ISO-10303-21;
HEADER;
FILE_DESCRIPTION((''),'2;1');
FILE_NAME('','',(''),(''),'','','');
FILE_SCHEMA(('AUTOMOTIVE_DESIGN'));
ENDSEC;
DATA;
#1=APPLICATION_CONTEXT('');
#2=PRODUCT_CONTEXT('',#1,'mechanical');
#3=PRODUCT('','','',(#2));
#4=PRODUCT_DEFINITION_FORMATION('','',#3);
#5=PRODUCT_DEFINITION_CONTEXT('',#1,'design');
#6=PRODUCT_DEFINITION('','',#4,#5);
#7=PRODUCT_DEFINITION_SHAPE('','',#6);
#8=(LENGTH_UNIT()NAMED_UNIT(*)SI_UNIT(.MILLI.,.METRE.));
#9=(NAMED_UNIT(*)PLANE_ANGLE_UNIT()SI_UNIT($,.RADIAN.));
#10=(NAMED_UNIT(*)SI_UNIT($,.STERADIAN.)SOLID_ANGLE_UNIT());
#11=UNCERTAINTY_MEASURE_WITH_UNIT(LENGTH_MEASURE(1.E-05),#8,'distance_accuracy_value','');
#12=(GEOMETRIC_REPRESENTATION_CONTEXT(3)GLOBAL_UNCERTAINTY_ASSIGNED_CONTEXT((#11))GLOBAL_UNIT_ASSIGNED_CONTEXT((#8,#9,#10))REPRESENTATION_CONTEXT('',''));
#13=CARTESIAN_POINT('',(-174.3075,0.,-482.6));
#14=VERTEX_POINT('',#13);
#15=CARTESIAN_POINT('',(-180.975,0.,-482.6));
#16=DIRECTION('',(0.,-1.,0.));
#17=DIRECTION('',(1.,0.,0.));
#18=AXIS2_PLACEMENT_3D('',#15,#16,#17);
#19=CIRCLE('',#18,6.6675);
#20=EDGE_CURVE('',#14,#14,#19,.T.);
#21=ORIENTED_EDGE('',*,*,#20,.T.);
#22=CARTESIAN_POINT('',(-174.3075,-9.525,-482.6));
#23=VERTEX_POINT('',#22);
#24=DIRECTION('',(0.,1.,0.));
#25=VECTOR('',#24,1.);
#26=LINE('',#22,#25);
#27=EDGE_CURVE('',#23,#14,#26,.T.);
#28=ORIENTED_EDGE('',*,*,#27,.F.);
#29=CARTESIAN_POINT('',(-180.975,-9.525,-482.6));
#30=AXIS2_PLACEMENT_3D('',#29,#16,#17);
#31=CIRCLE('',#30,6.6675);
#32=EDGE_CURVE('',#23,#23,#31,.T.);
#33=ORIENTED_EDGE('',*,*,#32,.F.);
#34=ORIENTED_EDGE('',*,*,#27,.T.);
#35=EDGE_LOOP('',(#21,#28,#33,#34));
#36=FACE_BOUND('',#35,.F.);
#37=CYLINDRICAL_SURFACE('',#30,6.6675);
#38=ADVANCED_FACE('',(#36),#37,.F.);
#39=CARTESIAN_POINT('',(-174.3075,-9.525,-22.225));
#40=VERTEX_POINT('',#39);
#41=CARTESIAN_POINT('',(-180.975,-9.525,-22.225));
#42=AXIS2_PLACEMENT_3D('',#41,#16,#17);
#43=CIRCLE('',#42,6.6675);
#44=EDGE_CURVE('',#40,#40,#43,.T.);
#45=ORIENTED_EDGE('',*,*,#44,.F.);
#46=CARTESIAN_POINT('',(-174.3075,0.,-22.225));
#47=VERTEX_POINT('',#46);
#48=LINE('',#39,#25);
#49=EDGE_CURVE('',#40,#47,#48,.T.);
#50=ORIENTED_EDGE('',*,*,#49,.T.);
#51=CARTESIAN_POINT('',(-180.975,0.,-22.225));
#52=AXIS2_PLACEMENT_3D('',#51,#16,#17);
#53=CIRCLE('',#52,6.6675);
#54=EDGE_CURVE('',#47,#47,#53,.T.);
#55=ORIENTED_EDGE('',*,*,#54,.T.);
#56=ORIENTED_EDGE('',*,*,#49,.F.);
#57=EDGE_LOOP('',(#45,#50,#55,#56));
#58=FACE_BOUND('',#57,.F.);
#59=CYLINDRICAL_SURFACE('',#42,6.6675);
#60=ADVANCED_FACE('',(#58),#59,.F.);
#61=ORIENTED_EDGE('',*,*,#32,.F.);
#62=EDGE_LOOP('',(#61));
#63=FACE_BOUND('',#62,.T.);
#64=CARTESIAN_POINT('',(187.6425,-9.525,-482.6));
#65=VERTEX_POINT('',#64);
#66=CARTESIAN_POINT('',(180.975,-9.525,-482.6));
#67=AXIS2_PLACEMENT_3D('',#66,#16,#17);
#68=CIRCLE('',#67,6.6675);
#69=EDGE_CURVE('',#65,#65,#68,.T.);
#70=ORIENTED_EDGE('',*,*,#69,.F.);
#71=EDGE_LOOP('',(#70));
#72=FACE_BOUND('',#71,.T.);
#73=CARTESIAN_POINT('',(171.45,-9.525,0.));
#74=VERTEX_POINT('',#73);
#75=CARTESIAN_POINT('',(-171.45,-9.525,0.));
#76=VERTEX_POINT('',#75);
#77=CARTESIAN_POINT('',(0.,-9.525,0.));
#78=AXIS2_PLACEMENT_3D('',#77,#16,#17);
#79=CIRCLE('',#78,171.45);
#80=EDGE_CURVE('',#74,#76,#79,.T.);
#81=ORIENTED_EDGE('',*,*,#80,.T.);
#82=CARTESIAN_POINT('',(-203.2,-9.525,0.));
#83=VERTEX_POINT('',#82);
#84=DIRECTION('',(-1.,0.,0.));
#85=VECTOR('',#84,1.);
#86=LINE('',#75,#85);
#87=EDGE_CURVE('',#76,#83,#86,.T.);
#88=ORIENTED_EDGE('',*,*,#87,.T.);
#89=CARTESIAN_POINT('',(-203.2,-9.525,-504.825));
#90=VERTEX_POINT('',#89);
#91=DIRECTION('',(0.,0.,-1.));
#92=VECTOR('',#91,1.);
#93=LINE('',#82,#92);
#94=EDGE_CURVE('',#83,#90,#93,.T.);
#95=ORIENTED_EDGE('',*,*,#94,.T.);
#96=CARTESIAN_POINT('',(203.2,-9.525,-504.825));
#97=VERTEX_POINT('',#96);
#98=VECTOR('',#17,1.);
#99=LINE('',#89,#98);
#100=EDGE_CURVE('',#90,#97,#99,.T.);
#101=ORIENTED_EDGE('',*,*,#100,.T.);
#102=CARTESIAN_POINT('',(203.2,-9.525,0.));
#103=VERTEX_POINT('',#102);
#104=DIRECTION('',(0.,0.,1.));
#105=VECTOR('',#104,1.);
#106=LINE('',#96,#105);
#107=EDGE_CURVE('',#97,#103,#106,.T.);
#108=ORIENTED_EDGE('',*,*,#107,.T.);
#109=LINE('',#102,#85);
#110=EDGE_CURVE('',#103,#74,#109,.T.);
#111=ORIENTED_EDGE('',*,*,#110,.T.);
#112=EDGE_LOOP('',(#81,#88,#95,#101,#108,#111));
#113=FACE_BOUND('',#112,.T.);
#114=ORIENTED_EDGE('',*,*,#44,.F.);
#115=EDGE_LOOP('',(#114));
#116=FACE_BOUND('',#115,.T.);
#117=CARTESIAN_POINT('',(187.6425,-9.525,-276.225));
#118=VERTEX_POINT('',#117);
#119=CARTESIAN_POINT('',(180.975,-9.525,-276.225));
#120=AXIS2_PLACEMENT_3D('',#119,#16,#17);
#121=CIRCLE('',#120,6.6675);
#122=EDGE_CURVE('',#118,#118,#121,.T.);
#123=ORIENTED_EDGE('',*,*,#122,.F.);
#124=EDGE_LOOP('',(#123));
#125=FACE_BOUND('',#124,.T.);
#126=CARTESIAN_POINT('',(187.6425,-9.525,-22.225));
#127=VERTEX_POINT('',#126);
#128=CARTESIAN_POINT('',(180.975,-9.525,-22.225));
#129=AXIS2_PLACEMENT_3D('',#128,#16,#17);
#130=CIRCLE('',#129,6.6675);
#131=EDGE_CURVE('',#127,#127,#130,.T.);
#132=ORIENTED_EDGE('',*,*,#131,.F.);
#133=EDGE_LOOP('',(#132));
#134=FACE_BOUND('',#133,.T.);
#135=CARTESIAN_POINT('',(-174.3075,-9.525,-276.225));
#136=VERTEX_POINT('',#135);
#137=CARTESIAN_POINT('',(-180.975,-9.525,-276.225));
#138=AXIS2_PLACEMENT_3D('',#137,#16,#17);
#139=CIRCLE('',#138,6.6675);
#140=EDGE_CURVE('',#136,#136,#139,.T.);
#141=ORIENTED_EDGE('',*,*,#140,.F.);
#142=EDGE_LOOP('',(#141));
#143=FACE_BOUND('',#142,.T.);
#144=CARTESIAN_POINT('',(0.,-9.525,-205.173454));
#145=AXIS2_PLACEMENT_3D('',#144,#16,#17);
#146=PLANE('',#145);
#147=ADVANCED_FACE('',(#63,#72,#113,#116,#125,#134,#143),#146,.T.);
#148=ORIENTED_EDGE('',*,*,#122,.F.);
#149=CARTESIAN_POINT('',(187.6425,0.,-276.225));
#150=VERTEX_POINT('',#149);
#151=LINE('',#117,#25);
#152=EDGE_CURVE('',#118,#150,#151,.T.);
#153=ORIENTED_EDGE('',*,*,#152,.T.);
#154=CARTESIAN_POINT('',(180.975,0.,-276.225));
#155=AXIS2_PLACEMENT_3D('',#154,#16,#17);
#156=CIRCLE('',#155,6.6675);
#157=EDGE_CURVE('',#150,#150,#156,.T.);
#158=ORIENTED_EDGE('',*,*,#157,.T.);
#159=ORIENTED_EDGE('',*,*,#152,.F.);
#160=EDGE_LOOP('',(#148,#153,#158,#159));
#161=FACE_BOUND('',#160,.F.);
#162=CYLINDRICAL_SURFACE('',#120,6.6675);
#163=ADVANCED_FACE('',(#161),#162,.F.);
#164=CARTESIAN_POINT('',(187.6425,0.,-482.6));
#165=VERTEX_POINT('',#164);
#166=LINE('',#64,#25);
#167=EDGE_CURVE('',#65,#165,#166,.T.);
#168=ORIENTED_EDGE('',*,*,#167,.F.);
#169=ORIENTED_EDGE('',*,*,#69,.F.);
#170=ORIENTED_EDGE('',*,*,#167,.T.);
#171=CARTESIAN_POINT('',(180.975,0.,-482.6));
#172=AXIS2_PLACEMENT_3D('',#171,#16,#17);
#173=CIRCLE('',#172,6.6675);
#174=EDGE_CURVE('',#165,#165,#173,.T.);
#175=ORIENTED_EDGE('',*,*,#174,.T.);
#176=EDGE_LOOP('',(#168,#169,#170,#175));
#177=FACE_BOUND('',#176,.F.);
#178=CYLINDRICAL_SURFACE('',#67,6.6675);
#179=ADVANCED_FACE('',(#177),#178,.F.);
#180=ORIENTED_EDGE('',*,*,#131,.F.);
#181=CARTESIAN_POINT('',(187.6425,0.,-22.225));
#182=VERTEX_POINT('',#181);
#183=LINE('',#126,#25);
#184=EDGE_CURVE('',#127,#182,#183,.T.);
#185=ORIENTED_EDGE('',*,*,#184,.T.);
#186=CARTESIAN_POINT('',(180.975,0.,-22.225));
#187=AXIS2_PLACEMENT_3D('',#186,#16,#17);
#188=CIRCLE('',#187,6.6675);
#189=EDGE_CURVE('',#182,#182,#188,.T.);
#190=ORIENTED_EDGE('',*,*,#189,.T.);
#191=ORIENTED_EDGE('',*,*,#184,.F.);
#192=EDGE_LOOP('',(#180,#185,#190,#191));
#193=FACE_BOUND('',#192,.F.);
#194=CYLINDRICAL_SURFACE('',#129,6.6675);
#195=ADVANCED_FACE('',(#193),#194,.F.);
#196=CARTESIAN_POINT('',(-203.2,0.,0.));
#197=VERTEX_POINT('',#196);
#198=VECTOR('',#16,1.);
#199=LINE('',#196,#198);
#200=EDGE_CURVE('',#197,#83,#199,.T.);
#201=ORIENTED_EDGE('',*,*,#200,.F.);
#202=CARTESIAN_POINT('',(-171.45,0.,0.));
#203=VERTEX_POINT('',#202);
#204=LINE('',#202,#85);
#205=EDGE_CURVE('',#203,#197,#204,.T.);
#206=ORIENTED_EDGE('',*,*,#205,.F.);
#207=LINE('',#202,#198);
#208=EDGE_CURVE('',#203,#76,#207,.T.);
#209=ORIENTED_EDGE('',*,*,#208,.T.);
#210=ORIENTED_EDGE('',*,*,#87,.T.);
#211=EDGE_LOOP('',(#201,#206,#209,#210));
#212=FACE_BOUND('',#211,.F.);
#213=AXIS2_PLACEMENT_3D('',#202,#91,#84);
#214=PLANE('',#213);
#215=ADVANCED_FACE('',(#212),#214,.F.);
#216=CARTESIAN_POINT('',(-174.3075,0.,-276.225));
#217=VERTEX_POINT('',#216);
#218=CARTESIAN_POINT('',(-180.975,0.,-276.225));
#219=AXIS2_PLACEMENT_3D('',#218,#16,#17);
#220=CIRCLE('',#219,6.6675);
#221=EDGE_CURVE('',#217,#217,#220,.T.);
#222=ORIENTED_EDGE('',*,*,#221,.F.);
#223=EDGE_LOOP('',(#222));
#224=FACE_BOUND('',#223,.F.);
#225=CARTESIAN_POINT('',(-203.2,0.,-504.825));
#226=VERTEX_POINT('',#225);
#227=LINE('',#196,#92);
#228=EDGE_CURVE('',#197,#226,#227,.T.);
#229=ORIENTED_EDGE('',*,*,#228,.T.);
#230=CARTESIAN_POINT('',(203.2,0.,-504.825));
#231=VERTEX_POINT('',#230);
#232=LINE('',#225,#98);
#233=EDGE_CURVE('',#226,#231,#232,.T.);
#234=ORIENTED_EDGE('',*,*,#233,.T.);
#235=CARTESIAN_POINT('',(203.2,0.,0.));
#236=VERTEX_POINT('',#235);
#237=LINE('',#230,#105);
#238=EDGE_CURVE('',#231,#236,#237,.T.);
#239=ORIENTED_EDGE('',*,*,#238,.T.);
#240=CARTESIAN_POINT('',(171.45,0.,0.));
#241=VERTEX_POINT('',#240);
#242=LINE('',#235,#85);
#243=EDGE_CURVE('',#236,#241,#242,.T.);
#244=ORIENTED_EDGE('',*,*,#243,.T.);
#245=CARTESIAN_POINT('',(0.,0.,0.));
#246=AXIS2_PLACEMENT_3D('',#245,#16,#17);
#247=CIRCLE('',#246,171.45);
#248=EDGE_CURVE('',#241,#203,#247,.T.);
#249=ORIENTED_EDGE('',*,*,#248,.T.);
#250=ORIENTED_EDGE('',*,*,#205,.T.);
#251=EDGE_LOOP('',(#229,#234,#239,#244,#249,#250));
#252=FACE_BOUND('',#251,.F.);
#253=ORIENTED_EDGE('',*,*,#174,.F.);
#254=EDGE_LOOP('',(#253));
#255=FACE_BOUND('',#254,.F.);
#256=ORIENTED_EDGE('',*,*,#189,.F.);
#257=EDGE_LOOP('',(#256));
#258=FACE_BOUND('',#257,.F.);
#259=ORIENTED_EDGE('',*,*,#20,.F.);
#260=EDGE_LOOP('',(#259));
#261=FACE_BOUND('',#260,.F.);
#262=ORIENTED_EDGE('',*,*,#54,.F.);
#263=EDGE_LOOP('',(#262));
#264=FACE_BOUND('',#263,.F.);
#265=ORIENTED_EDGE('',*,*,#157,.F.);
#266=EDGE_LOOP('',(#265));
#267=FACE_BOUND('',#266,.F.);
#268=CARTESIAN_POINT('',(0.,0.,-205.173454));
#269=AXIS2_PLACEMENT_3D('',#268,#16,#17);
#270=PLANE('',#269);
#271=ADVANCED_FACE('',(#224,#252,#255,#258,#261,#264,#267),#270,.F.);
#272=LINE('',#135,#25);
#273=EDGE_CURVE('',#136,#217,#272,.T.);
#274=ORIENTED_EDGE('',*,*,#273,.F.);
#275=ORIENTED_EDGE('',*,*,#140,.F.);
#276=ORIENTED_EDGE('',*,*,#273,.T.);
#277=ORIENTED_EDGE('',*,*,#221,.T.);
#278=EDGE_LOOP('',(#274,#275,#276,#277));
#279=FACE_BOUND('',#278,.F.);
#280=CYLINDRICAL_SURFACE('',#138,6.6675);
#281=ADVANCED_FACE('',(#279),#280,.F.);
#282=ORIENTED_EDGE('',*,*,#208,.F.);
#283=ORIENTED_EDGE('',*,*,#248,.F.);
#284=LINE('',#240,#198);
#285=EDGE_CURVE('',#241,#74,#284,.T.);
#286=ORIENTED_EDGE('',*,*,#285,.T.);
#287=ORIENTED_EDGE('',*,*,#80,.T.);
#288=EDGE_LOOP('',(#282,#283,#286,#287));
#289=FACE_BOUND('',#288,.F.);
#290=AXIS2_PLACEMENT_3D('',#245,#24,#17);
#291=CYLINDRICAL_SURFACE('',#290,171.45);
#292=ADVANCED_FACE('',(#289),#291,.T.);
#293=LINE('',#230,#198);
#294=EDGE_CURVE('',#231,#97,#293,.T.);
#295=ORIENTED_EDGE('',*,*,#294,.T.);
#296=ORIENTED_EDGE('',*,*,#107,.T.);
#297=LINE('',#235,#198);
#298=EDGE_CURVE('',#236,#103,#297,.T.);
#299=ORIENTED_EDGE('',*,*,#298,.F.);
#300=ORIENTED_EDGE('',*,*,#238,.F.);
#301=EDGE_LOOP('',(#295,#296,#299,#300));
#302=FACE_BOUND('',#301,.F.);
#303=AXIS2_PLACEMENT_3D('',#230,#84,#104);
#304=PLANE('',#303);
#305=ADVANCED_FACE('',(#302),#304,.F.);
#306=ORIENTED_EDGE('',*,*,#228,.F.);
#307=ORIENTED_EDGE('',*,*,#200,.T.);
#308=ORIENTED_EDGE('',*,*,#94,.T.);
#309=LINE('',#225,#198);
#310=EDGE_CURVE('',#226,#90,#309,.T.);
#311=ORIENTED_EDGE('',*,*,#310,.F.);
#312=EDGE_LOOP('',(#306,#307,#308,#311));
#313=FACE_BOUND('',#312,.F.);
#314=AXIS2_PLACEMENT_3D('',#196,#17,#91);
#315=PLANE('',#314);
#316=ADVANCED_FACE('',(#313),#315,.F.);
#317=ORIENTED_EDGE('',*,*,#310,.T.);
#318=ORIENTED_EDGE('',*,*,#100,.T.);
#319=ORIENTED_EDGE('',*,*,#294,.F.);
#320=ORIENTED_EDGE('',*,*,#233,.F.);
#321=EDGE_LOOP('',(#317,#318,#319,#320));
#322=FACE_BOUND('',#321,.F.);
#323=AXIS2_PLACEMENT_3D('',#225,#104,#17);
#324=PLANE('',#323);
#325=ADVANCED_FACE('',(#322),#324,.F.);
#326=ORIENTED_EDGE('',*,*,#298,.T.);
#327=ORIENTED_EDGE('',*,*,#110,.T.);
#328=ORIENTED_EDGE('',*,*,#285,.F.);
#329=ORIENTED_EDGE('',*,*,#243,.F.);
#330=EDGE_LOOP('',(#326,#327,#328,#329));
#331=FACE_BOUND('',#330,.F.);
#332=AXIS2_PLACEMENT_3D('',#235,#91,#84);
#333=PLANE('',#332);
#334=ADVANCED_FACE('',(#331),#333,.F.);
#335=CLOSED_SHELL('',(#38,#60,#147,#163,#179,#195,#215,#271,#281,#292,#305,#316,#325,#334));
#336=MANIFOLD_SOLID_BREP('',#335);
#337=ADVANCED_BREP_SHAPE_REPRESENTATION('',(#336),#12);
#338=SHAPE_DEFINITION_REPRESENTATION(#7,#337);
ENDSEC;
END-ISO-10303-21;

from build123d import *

# Parameters (mm, degrees)
F1_DEPTH = 9.525
F2_R     = 6.6675
F3_DEPTH = 9.526


with BuildPart() as f1:
    # F0 (on Front) → F1 (new body)
    with BuildSketch(Plane.XZ):
        with BuildLine():
            Line((203.2, 0), (171.45, 0))
            ThreePointArc((171.45, 0), (0, 171.45), (-171.45, 0))
            Line((-171.45, 0), (-203.2, 0))
            Line((-203.2, 0), (-203.2, -504.825))
            Line((-203.2, -504.825), (203.2, -504.825))
            Line((203.2, -504.825), (203.2, 0))
        make_face()
    extrude(amount=F1_DEPTH)

    # F2 (on face) → F3 (cut, through all)
    with BuildSketch(Plane.XZ.offset(9.525)):
        with Locations((-180.975, -22.225)):
            Circle(F2_R)
        with Locations((180.975, -22.225)):
            Circle(F2_R)
        with Locations((180.975, -276.225)):
            Circle(F2_R)
        with Locations((-180.975, -276.225)):
            Circle(F2_R)
        with Locations((180.975, -482.6)):
            Circle(F2_R)
        with Locations((-180.975, -482.6)):
            Circle(F2_R)
    extrude(amount=-F3_DEPTH, mode=Mode.SUBTRACT)


solid = f1.part
